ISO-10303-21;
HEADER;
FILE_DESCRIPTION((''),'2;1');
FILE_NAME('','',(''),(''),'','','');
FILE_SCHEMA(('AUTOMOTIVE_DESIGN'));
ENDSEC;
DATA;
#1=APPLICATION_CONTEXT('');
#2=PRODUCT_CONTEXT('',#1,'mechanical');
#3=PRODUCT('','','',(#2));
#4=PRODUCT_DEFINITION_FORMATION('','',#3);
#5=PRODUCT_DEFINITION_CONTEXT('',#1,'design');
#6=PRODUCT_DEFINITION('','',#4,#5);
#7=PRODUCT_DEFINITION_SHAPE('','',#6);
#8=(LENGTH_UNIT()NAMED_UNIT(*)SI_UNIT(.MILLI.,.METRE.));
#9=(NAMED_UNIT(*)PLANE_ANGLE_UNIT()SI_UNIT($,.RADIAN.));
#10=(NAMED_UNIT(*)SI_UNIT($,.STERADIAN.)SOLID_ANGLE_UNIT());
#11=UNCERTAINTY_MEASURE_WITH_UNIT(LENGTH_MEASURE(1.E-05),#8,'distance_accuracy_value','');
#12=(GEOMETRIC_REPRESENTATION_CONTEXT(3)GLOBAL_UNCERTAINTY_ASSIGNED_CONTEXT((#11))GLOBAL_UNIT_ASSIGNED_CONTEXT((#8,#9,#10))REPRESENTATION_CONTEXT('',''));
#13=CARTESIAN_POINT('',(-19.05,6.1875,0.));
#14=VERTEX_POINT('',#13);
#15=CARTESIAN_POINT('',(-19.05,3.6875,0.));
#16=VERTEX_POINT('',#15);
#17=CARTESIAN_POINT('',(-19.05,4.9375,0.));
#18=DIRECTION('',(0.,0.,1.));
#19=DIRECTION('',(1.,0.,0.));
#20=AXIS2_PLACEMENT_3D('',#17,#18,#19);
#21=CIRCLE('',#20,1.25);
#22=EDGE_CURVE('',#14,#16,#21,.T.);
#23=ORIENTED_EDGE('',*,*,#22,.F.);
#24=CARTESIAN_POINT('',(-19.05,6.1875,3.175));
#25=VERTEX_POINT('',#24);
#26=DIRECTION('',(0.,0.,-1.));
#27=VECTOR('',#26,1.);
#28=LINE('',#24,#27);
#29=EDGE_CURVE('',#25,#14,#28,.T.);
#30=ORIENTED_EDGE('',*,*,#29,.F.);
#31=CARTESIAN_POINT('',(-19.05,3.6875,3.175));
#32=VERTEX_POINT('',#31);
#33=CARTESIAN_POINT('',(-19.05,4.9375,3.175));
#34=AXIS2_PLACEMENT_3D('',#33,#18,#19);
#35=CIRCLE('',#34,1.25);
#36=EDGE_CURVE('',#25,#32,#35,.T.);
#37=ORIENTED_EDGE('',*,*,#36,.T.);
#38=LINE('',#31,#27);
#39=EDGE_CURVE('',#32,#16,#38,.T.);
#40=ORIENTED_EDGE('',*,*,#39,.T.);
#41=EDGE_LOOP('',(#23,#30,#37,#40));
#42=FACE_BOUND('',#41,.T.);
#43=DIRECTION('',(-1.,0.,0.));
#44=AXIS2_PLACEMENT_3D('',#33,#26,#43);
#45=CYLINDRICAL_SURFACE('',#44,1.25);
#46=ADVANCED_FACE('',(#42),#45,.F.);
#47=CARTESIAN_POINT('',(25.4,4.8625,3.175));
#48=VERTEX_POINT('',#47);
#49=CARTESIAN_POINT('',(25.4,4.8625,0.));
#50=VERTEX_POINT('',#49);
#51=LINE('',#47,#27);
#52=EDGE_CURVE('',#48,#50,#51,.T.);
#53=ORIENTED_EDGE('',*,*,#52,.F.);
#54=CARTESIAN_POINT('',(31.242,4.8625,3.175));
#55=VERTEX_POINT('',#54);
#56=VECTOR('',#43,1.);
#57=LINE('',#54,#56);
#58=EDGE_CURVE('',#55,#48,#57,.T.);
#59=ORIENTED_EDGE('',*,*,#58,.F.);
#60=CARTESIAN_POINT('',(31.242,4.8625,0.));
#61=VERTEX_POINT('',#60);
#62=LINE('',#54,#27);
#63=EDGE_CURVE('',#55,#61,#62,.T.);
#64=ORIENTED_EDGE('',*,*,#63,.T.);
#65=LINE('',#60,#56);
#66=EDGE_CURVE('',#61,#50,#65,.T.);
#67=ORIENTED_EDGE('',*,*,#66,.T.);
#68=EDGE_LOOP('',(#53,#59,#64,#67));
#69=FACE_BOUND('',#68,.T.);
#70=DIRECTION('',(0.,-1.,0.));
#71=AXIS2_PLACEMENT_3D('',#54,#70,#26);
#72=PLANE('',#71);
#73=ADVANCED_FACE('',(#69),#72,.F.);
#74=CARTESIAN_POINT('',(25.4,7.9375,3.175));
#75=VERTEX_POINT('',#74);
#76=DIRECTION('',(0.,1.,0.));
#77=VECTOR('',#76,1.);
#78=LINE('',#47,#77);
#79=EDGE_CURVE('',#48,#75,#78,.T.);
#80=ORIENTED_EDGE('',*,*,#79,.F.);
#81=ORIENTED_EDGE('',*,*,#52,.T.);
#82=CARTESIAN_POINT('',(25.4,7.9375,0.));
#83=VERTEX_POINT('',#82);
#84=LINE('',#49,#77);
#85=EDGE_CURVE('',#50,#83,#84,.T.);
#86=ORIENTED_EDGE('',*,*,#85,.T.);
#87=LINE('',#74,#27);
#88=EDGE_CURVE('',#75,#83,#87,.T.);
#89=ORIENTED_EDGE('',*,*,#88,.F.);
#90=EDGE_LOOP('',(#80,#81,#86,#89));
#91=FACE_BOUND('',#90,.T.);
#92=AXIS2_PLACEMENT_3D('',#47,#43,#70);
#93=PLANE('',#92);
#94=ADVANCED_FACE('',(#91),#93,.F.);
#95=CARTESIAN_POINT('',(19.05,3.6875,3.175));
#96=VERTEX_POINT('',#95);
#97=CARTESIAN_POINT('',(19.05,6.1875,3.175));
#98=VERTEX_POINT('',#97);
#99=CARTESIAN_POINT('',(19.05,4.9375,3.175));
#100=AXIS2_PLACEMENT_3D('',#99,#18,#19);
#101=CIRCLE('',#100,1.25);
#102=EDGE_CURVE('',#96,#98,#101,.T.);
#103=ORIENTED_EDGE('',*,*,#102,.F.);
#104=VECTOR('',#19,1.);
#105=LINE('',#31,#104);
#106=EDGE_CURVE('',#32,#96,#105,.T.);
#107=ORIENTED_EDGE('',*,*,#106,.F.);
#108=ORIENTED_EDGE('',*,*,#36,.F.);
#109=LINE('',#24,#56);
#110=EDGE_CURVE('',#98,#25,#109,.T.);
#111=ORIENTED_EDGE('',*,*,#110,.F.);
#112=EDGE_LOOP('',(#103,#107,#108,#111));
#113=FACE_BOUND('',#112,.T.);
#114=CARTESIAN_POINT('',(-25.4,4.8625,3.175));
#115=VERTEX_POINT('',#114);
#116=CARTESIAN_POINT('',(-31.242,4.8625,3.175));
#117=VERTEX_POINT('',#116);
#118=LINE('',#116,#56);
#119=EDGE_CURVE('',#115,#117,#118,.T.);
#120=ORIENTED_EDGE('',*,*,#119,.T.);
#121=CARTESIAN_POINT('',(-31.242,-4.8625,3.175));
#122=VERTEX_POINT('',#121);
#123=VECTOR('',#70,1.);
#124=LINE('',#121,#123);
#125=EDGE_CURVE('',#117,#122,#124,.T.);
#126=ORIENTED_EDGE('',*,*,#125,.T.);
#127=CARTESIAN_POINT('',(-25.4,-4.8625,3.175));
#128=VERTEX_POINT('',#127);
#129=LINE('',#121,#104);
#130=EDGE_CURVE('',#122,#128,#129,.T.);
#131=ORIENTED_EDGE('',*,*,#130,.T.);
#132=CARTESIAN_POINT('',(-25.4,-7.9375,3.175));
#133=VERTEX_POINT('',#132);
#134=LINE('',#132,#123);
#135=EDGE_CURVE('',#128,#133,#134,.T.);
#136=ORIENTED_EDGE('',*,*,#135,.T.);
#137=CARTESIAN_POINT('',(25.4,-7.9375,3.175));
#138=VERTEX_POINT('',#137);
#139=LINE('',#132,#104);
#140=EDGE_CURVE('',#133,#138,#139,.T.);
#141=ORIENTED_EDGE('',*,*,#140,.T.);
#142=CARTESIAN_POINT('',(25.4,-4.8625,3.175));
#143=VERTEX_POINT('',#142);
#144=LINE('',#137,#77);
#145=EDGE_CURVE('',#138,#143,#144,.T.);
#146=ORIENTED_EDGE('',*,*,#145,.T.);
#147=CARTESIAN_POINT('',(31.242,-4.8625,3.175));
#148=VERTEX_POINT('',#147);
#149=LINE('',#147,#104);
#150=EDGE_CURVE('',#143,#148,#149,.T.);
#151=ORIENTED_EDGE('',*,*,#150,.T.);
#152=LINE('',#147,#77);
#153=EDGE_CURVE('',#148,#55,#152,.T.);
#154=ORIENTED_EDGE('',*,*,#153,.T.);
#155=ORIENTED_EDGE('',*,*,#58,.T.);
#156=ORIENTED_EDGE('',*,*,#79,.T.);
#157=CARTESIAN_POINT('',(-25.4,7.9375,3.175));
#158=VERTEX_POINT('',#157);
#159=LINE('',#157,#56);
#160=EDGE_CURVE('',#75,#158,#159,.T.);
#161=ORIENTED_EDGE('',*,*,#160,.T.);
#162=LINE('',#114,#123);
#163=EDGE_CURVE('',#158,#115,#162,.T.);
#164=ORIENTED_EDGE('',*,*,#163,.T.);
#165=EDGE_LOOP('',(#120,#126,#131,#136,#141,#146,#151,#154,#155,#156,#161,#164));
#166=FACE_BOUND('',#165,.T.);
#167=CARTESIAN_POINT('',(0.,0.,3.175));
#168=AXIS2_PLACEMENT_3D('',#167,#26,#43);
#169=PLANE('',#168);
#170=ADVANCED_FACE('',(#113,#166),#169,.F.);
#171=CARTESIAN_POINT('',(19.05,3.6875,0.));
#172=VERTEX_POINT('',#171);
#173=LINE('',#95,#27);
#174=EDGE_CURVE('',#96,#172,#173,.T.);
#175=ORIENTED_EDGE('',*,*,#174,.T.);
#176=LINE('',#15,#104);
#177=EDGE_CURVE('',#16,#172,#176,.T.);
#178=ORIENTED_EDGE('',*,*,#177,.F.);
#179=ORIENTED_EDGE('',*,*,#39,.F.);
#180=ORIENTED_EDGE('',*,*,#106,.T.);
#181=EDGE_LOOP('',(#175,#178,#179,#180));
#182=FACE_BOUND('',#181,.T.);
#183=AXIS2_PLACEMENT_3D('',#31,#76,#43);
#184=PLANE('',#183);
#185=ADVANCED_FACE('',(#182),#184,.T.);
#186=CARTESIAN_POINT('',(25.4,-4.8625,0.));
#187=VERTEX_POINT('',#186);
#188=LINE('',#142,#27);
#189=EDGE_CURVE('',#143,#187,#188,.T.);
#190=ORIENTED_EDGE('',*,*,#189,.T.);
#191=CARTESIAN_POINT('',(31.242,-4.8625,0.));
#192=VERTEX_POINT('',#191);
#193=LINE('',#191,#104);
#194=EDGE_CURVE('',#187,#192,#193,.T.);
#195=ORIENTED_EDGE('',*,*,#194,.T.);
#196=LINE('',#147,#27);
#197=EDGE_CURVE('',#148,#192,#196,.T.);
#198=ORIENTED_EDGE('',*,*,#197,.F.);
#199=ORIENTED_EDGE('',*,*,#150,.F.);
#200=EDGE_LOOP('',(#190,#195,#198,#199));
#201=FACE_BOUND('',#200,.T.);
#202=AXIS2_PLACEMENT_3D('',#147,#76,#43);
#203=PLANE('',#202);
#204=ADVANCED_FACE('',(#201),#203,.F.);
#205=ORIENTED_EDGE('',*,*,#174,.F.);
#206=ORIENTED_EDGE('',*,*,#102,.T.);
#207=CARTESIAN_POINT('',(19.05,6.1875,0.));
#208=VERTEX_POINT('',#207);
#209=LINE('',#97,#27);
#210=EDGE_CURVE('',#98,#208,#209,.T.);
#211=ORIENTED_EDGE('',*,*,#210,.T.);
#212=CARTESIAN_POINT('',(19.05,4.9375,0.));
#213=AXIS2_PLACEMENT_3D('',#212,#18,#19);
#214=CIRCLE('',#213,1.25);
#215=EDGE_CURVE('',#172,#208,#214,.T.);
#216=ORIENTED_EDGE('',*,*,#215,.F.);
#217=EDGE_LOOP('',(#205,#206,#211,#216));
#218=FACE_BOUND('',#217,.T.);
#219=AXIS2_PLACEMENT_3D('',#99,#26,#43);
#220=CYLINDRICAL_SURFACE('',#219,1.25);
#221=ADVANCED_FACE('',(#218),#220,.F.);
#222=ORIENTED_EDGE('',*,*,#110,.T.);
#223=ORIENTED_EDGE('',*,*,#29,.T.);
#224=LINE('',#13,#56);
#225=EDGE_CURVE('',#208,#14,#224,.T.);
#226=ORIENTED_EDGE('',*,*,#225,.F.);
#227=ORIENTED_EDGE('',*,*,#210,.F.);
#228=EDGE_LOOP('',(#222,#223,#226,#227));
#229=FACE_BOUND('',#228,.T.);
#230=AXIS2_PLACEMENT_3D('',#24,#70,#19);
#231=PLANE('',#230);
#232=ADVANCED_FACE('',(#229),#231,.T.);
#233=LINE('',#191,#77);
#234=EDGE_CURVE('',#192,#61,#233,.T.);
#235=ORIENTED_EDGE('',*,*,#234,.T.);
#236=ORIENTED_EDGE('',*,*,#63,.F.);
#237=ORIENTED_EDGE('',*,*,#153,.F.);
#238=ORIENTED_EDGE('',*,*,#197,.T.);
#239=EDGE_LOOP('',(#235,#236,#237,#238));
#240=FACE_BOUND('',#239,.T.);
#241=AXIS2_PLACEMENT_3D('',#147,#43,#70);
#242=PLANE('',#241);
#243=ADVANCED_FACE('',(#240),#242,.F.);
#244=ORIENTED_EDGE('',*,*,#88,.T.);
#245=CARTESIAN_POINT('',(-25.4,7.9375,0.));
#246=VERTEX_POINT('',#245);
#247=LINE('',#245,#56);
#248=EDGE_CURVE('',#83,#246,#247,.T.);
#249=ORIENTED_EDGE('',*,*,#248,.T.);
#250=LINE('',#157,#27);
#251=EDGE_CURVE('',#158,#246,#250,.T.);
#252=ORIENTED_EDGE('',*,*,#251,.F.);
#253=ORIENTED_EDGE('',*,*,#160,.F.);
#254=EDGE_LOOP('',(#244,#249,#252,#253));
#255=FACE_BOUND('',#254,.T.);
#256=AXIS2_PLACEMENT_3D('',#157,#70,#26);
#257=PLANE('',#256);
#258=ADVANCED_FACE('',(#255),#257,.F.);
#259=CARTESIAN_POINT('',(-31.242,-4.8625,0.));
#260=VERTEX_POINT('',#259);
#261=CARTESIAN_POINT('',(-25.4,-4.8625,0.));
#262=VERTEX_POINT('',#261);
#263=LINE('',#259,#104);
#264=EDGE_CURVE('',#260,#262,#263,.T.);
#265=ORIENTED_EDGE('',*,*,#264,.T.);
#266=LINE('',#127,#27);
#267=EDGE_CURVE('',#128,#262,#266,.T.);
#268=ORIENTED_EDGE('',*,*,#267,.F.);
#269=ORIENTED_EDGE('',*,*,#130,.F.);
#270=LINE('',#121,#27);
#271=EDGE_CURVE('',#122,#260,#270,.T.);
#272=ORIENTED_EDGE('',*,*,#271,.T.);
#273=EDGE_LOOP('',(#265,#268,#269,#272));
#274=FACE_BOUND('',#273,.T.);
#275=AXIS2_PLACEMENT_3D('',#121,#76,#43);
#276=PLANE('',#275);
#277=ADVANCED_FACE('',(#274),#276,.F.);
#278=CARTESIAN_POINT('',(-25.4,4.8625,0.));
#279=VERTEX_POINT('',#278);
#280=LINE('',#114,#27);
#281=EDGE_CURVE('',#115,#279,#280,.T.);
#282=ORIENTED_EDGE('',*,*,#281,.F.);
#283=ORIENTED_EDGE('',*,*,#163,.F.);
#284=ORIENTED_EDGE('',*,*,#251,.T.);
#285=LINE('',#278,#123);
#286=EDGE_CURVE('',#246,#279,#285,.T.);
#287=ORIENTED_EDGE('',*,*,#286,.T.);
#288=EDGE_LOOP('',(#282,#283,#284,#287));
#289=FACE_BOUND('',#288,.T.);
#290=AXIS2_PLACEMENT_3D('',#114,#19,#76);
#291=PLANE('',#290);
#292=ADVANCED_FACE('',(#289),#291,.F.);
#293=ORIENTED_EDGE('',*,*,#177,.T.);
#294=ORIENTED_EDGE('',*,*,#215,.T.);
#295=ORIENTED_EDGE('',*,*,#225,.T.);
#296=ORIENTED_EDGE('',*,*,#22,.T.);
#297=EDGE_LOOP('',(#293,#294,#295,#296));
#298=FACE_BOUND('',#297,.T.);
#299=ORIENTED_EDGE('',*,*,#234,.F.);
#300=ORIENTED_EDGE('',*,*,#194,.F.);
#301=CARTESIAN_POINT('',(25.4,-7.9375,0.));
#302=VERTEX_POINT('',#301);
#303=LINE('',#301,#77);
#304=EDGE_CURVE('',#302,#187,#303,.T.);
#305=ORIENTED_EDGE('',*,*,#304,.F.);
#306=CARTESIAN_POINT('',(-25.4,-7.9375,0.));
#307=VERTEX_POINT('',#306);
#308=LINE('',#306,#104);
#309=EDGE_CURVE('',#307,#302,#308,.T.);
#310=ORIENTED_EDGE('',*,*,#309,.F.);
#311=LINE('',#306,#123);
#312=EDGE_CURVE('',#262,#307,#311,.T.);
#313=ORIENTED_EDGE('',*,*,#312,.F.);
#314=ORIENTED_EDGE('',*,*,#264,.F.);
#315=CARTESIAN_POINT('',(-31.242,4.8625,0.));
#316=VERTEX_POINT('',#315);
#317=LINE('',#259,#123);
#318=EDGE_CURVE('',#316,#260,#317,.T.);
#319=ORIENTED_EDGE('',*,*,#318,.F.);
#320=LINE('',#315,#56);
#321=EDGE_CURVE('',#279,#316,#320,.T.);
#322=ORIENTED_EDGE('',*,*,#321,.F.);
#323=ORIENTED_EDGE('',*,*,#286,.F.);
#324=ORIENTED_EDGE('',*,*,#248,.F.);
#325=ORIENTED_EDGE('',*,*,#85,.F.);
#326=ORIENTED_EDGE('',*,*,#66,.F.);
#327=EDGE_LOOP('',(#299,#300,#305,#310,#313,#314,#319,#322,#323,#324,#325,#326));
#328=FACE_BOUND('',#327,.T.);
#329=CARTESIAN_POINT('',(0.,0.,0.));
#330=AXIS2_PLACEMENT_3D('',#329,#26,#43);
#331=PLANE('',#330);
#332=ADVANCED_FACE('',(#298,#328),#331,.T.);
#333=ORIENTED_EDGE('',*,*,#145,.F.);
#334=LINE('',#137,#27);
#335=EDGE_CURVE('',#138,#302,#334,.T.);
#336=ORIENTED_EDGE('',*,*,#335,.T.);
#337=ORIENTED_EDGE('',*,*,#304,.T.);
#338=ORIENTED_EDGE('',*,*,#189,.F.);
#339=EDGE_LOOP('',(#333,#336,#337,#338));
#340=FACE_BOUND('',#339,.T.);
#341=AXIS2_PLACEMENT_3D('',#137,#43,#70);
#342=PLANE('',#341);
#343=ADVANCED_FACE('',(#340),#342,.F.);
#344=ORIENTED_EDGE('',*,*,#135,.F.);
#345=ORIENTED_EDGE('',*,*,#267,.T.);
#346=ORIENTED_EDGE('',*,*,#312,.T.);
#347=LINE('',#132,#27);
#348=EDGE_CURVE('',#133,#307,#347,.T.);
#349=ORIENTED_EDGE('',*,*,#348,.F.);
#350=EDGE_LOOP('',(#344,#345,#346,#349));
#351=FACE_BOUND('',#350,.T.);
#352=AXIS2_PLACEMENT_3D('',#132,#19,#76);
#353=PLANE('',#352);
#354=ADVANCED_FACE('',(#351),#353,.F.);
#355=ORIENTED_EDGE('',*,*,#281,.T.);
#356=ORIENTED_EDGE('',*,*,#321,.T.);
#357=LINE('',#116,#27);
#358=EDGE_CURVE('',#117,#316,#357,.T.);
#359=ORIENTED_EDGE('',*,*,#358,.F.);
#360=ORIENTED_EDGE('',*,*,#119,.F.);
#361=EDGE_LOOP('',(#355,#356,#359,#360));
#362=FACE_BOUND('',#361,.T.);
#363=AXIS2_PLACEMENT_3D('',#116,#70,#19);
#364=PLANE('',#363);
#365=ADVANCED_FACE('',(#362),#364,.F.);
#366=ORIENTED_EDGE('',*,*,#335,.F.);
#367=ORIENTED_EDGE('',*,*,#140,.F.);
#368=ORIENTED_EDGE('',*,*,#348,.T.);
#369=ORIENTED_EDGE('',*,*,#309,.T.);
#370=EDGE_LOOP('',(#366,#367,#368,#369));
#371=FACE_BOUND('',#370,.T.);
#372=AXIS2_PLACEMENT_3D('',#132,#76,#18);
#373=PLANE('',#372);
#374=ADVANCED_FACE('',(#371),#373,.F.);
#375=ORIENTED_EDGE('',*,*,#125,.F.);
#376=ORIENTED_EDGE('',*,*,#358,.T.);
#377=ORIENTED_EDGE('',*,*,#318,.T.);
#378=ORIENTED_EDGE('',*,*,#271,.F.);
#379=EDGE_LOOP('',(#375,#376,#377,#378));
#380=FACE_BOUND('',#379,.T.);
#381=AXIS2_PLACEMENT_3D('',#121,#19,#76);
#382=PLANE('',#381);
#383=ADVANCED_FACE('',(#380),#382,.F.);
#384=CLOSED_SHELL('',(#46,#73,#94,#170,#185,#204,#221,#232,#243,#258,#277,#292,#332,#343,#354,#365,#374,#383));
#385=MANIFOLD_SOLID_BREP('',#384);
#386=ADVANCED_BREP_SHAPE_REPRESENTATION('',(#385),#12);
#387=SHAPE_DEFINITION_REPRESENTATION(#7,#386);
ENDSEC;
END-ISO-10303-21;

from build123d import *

# Parameters (mm, degrees)
BOSS_EXTRUDE1_DEPTH = 3.175


with BuildPart() as part:
    # Sketch1 → Boss-Extrude1 (new body)
    with BuildSketch(Plane.XY):
        Polygon((-25.4, -7.9375), (25.4, -7.9375), (25.4, -4.8625), (31.242, -4.8625), (31.242, 4.8625), (25.4, 4.8625), (25.4, 7.9375), (-25.4, 7.9375), (-25.4, 4.8625), (-31.242, 4.8625), (-31.242, -4.8625), (-25.4, -4.8625), align=None)
        with BuildLine():
            Line((-19.05, 6.1875), (19.05, 6.1875))
            ThreePointArc((19.05, 6.1875), (20.3, 4.9375), (19.05, 3.6875))
            Line((19.05, 3.6875), (-19.05, 3.6875))
            ThreePointArc((-19.05, 3.6875), (-20.3, 4.9375), (-19.05, 6.1875))
        make_face(mode=Mode.SUBTRACT)
    extrude(amount=BOSS_EXTRUDE1_DEPTH)


solid = part.part
